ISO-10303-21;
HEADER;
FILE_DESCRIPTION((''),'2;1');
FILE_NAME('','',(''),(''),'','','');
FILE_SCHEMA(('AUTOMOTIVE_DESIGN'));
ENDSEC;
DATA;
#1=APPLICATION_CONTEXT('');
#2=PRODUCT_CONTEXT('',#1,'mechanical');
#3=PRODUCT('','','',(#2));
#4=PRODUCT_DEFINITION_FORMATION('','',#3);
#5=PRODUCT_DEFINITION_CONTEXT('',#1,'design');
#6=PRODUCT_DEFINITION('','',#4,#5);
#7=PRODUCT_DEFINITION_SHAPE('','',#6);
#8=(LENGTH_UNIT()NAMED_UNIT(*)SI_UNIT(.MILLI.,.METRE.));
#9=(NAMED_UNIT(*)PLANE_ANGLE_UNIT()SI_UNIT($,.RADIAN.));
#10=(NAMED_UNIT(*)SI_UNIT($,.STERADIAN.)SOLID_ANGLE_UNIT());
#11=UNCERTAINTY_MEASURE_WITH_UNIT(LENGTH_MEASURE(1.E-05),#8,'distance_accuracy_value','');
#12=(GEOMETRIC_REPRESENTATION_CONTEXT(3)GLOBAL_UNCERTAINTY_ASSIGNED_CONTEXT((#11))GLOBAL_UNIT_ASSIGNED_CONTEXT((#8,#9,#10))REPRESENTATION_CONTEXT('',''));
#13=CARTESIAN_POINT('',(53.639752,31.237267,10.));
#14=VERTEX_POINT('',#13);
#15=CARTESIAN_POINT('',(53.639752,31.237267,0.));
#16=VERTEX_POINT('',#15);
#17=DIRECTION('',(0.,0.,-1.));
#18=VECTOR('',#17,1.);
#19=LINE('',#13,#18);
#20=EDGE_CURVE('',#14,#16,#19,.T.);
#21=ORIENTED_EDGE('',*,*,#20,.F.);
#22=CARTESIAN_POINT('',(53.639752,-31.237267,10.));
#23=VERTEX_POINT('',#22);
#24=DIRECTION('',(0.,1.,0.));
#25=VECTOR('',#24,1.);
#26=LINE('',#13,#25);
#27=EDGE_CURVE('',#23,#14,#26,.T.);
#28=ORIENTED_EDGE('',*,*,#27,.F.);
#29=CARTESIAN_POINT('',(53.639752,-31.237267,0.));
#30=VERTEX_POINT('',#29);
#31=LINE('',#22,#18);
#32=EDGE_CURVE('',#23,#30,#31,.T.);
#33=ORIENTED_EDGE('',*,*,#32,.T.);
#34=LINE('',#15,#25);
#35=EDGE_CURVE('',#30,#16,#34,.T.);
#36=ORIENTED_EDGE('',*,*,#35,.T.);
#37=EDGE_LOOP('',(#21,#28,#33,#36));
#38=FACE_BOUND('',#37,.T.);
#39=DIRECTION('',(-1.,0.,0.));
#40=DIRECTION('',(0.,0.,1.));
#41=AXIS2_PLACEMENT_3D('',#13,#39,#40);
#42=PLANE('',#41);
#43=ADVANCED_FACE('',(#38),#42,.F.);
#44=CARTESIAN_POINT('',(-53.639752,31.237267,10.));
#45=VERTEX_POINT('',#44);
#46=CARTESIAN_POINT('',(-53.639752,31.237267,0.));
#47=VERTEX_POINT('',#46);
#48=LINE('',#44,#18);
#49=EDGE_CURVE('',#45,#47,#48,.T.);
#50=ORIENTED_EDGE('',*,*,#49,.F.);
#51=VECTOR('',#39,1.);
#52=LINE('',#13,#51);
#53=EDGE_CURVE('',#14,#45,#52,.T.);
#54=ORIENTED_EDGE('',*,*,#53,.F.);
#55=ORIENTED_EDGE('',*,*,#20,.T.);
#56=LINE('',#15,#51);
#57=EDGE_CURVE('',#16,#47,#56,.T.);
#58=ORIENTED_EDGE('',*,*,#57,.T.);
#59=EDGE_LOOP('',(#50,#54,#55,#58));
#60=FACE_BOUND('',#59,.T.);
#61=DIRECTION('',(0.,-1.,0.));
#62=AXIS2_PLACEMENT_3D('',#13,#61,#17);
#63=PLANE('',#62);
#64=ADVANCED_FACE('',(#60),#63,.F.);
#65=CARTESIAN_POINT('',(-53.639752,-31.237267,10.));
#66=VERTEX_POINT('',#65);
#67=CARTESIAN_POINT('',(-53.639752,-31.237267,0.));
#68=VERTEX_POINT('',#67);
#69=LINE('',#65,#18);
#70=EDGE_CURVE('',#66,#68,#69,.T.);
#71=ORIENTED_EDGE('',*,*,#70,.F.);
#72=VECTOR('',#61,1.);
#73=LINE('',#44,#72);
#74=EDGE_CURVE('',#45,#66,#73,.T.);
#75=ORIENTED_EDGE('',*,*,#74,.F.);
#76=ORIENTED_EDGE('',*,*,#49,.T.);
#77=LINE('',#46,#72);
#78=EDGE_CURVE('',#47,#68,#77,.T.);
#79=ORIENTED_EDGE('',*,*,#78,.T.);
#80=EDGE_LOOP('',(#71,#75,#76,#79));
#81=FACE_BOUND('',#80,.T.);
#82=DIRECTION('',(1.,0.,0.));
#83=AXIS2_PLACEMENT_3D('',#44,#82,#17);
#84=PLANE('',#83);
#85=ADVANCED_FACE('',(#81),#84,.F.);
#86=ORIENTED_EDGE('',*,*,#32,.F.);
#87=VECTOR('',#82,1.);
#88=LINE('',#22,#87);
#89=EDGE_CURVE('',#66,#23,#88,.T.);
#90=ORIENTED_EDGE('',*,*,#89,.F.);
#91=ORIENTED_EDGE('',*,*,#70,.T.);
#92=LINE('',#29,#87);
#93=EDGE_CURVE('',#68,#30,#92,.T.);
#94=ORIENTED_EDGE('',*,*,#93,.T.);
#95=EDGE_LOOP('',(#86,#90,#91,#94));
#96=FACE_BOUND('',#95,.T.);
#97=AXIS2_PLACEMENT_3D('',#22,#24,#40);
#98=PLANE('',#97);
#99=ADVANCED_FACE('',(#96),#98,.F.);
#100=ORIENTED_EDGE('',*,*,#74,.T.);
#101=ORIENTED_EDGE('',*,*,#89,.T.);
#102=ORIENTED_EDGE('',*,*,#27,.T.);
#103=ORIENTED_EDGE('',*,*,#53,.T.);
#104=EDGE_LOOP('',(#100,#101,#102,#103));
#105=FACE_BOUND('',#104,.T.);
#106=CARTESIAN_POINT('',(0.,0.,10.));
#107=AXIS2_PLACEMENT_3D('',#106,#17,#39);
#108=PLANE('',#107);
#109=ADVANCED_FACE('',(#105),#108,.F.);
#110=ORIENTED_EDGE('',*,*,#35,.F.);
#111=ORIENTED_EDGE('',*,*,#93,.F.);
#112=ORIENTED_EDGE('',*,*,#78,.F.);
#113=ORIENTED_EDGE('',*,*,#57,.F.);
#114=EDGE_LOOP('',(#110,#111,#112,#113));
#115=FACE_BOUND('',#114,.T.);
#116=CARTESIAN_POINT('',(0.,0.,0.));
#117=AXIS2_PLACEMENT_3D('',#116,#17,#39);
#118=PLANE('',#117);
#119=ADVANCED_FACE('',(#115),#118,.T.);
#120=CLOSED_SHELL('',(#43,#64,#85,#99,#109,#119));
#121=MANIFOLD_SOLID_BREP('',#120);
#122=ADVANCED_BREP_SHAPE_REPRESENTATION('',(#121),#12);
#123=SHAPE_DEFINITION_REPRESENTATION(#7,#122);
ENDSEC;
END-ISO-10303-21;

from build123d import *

# Parameters (mm, degrees)
SKETCH_1_W      = 107.279503106
SKETCH_1_H      = 62.474534162
EXTRUDE_1_DEPTH = 10


with BuildPart() as part:
    # 草图1 → 凸台-拉伸1 (new body)
    with BuildSketch(Plane.XY):
        Rectangle(SKETCH_1_W, SKETCH_1_H)
    extrude(amount=EXTRUDE_1_DEPTH)


solid = part.part
